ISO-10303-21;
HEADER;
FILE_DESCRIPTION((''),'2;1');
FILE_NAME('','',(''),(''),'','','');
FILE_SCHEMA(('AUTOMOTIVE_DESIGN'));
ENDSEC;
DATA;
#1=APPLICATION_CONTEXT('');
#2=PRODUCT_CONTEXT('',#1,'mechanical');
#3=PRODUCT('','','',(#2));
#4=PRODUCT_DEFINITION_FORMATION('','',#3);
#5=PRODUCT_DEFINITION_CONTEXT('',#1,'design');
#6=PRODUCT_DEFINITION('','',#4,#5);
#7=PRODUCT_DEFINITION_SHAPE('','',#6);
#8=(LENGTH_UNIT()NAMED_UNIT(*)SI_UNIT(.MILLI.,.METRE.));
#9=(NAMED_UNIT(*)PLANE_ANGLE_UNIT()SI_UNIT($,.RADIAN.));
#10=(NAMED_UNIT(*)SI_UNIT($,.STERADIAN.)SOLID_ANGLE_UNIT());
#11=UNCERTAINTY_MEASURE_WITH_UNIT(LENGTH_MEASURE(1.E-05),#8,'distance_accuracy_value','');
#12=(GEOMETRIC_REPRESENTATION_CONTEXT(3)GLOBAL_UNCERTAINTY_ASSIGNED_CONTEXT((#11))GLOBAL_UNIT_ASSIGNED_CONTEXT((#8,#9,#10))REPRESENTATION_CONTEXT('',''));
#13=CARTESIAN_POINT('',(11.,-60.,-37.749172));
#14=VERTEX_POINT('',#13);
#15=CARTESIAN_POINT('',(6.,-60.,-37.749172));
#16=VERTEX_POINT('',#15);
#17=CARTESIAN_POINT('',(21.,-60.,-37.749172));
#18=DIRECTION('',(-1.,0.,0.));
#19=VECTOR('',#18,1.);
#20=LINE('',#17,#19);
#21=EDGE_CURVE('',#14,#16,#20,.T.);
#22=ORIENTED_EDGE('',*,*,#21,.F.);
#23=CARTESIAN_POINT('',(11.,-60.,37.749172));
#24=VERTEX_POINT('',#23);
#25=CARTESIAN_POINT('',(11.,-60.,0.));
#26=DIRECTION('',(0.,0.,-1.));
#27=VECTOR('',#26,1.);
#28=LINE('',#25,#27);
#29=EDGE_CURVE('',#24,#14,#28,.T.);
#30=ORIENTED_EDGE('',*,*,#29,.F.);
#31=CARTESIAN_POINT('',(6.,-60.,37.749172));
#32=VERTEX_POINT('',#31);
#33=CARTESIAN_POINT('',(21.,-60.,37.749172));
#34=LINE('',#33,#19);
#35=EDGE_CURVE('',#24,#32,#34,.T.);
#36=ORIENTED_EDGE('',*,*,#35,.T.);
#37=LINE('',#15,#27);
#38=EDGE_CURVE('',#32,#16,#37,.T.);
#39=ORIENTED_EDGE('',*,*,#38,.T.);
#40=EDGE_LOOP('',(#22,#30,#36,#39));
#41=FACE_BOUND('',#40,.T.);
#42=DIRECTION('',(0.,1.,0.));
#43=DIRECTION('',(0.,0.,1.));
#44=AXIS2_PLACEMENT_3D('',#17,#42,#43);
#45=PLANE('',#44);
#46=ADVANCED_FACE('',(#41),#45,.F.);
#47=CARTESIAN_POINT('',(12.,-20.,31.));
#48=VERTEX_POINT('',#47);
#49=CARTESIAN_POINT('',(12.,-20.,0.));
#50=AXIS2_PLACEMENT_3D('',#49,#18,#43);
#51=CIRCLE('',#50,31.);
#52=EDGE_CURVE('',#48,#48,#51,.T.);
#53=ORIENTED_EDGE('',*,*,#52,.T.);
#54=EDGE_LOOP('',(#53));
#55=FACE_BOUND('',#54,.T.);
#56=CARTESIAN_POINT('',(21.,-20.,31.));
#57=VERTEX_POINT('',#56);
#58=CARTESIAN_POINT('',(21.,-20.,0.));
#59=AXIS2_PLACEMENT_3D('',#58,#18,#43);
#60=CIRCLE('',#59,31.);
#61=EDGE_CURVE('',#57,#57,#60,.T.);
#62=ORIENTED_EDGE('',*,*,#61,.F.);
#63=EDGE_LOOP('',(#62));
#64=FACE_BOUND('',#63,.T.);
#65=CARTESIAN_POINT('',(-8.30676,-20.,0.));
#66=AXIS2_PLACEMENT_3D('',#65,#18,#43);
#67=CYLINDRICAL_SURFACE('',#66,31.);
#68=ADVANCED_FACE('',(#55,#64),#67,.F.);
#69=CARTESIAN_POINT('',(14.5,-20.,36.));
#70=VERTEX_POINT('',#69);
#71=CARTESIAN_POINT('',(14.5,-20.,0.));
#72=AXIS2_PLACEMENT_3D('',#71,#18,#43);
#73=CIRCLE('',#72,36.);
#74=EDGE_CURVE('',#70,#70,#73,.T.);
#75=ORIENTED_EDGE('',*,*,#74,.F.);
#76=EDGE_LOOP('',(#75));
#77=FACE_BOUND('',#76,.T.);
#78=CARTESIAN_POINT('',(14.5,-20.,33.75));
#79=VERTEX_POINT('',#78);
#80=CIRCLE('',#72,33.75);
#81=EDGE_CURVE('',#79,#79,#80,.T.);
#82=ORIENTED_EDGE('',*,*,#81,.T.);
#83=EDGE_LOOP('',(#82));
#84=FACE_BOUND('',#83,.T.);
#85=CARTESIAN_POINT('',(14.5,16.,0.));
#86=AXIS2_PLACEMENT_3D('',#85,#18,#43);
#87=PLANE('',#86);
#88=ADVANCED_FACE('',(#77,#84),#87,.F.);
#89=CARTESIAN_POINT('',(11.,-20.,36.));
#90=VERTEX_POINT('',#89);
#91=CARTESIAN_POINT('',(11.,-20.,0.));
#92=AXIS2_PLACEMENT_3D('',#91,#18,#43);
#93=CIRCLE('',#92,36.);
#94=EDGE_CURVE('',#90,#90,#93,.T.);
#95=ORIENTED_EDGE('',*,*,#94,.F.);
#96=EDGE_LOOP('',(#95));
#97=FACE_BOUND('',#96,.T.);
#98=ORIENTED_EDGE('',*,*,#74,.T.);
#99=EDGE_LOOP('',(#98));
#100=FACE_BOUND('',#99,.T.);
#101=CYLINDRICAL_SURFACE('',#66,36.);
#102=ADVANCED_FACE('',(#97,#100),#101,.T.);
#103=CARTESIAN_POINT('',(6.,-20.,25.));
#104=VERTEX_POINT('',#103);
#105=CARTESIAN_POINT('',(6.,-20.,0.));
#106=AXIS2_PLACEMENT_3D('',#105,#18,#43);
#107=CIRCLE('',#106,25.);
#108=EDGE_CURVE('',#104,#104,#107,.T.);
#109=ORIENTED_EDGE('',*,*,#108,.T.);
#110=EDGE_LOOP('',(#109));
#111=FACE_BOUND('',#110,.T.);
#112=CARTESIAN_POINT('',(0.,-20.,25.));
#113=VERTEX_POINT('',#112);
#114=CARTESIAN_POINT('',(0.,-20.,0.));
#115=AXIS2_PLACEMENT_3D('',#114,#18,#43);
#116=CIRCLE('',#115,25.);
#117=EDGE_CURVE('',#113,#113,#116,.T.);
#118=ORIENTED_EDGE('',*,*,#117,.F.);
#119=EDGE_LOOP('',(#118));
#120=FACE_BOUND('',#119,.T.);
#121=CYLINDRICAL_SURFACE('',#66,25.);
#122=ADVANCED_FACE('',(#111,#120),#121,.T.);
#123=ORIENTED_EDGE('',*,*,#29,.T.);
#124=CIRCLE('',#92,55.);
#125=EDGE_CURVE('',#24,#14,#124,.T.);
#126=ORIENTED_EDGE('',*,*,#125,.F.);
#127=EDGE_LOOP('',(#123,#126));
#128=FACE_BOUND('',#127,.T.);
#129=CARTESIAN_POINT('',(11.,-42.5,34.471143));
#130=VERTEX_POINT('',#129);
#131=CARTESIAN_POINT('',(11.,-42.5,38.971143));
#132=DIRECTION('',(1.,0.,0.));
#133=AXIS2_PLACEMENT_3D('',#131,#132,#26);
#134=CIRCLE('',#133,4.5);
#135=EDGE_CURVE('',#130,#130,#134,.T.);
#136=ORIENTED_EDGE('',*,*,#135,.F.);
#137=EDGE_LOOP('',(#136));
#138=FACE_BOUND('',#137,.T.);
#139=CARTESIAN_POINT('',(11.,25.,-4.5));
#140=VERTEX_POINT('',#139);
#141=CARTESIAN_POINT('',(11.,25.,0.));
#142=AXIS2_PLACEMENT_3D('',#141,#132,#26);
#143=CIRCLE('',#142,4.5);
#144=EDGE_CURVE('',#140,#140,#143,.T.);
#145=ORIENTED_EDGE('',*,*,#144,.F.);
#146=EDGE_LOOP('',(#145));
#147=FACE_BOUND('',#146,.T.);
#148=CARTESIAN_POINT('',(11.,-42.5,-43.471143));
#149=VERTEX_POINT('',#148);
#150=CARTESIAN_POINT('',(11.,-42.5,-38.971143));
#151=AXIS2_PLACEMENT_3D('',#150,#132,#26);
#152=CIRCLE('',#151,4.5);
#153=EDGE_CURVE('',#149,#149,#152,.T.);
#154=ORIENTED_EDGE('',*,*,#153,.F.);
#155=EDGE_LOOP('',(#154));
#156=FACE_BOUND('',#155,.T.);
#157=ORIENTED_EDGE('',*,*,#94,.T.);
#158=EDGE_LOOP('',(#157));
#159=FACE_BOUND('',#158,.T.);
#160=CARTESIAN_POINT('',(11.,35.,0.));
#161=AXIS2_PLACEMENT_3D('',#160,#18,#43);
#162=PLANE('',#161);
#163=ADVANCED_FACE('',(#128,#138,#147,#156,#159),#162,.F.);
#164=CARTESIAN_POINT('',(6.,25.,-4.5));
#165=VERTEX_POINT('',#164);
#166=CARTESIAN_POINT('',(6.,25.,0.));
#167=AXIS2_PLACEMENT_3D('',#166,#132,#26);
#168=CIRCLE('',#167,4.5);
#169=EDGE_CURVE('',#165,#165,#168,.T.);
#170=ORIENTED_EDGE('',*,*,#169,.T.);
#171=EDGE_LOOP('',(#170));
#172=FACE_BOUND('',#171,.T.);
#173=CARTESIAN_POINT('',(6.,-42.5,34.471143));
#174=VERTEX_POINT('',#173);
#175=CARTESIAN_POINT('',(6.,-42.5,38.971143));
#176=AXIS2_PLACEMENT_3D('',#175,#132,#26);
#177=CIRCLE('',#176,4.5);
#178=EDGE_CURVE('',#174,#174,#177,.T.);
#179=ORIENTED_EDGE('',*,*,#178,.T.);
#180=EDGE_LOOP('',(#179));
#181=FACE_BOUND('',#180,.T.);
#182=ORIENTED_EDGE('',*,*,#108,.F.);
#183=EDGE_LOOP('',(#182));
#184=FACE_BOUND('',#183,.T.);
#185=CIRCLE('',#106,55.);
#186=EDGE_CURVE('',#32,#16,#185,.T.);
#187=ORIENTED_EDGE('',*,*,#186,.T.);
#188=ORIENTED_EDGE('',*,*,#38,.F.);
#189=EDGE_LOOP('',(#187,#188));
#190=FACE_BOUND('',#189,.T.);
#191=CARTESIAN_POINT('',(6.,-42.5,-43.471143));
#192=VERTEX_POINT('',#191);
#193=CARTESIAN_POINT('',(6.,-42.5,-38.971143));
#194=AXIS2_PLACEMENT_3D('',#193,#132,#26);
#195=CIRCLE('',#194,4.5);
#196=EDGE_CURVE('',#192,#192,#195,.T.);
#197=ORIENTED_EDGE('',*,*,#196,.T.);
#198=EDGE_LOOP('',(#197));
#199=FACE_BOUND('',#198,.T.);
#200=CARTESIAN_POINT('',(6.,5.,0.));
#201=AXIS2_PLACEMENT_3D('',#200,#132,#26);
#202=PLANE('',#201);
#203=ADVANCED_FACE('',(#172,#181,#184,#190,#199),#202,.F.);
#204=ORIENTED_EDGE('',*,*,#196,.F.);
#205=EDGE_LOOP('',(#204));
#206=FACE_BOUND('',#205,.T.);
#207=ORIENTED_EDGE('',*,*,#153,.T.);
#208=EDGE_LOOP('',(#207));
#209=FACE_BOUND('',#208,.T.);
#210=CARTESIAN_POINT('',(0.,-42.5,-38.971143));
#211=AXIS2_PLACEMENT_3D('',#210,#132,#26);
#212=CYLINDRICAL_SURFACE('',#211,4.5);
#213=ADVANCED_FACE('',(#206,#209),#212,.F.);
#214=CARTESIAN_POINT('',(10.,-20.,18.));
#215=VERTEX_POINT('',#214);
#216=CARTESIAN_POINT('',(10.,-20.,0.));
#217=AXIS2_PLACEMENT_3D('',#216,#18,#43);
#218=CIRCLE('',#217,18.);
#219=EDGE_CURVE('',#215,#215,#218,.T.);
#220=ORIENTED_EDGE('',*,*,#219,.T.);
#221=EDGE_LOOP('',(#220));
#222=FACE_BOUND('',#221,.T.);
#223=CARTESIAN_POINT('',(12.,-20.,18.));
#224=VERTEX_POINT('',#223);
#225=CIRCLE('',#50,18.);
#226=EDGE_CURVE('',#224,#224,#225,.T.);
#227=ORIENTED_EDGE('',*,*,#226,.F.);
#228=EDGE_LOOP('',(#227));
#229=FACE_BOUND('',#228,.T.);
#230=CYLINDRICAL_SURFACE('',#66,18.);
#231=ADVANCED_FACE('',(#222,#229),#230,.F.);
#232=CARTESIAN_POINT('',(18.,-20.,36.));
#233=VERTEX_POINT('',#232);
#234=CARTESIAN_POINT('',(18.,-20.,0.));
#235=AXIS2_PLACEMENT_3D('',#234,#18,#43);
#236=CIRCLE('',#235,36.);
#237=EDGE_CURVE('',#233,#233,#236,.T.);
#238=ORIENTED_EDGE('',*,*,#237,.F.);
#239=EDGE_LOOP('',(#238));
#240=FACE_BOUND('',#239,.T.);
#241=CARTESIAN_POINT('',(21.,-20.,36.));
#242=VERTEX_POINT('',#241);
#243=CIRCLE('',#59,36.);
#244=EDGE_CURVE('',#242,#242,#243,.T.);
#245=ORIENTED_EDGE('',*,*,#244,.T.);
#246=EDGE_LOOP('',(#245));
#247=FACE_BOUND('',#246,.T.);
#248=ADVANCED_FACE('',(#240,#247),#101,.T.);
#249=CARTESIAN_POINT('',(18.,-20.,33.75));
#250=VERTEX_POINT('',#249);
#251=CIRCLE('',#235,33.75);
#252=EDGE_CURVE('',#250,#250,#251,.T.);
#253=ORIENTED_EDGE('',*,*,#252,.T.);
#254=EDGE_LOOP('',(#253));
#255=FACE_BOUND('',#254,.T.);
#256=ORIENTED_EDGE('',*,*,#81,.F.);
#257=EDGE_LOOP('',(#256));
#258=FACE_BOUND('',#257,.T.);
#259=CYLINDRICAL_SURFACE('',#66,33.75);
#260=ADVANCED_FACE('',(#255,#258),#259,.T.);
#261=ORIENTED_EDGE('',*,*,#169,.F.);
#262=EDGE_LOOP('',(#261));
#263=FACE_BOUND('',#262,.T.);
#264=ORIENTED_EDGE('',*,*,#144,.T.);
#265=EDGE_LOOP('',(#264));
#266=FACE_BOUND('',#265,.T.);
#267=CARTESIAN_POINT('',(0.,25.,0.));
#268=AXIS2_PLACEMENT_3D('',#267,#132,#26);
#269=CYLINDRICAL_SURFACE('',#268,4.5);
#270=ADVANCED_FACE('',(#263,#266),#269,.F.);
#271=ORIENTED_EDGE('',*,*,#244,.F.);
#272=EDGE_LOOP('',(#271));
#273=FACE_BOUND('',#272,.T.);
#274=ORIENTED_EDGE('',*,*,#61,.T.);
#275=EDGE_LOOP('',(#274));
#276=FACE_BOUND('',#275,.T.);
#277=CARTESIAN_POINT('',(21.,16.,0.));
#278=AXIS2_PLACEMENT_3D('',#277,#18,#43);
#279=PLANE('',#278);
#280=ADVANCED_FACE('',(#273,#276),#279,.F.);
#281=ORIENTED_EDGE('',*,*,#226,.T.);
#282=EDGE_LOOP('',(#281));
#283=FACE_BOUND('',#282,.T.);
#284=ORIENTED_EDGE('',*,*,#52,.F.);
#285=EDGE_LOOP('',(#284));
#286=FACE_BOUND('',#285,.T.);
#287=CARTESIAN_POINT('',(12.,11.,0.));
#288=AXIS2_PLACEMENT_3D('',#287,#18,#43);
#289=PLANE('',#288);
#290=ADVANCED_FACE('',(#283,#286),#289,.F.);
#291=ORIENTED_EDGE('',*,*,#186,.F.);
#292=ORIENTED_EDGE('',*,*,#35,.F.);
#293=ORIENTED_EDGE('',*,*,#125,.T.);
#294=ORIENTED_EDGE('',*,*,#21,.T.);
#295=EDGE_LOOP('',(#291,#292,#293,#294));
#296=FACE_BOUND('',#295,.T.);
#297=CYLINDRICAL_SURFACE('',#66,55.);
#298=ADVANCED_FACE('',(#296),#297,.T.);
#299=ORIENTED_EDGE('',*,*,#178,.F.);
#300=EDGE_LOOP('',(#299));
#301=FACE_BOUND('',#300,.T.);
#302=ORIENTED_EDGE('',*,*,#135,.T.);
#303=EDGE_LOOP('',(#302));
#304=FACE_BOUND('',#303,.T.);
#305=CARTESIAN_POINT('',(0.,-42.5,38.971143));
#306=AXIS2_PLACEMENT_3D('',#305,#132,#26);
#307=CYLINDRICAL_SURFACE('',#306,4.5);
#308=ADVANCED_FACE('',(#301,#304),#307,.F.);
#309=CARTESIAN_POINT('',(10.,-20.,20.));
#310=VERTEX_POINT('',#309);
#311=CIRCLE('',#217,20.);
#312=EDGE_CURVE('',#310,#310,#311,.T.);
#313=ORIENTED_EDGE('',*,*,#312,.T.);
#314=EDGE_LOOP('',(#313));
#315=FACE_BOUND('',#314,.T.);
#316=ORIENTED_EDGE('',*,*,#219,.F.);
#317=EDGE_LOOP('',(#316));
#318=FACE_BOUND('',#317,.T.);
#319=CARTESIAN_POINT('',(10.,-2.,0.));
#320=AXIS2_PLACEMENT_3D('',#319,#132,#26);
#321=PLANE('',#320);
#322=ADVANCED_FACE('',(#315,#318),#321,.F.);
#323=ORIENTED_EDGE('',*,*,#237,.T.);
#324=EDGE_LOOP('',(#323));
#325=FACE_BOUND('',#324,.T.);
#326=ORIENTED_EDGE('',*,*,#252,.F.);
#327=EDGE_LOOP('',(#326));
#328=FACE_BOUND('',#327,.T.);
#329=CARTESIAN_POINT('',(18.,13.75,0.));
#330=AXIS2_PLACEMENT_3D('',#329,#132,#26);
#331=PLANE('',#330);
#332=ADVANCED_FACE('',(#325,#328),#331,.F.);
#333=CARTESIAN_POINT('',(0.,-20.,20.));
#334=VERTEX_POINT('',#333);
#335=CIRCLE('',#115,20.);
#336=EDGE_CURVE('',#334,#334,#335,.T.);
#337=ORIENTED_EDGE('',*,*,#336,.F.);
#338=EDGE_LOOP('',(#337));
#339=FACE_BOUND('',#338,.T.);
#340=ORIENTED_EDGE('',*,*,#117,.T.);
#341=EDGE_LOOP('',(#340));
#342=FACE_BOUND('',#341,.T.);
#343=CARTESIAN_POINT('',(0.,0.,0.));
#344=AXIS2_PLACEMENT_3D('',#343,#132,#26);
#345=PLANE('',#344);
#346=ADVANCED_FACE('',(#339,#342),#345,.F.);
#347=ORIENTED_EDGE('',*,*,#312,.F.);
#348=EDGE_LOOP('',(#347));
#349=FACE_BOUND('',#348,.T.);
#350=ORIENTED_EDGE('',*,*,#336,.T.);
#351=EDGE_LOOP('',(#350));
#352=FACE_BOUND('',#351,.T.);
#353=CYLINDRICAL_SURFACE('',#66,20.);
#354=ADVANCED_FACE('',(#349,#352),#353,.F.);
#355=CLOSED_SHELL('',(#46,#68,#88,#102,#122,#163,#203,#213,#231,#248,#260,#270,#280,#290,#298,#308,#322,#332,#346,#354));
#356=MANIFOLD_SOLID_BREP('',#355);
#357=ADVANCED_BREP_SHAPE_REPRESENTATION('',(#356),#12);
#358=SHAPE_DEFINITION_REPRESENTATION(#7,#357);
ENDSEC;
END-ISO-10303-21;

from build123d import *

# Parameters (mm, degrees)
SCHIZZO2_R               = 4.5
TAGLIO_ESTRUSIONE1_DEPTH = 94.653617122
SCHIZZO3_W               = 75.498344352
SCHIZZO3_H               = 30
TAGLIO_ESTRUSIONE2_DEPTH = 95.207218407


with BuildPart() as part:
    # Schizzo1 → Rivoluzione1 (revolve)
    with BuildSketch(Plane.XY):
        Polygon((0, 0), (0, 5), (6, 5), (6, 35), (11, 35), (11, 16), (14.5, 16), (14.5, 13.75), (18, 13.75), (18, 16), (21, 16), (21, 11), (12, 11), (12, -2), (10, -2), (10, 0), align=None)
    revolve(axis=Axis((-8.306759574, -20, 0), (1, 0, 0)))

    # Schizzo2 → Taglio-Estrusione1 (cut, through all)
    with BuildSketch(Plane(origin=(11, 0, 0), x_dir=(0, 0, -1), z_dir=(1, 0, 0))):
        with Locations((0, 25)):
            Circle(SCHIZZO2_R)
        with Locations((88.334591186, -128)):
            Circle(SCHIZZO2_R)
        with Locations((-88.334591186, -128)):
            Circle(SCHIZZO2_R)
        with Locations((38.97114317, -42.5)):
            Circle(SCHIZZO2_R)
        with Locations((-38.97114317, -42.5)):
            Circle(SCHIZZO2_R)
    extrude(amount=-TAGLIO_ESTRUSIONE1_DEPTH, mode=Mode.SUBTRACT)

    # Schizzo3 → Taglio-Estrusione2 (cut, through all)
    with BuildSketch(Plane.ZY.offset(-6)):
        with Locations((0, -75)):
            Rectangle(SCHIZZO3_W, SCHIZZO3_H)
    extrude(amount=-TAGLIO_ESTRUSIONE2_DEPTH, mode=Mode.SUBTRACT)


solid = part.part
